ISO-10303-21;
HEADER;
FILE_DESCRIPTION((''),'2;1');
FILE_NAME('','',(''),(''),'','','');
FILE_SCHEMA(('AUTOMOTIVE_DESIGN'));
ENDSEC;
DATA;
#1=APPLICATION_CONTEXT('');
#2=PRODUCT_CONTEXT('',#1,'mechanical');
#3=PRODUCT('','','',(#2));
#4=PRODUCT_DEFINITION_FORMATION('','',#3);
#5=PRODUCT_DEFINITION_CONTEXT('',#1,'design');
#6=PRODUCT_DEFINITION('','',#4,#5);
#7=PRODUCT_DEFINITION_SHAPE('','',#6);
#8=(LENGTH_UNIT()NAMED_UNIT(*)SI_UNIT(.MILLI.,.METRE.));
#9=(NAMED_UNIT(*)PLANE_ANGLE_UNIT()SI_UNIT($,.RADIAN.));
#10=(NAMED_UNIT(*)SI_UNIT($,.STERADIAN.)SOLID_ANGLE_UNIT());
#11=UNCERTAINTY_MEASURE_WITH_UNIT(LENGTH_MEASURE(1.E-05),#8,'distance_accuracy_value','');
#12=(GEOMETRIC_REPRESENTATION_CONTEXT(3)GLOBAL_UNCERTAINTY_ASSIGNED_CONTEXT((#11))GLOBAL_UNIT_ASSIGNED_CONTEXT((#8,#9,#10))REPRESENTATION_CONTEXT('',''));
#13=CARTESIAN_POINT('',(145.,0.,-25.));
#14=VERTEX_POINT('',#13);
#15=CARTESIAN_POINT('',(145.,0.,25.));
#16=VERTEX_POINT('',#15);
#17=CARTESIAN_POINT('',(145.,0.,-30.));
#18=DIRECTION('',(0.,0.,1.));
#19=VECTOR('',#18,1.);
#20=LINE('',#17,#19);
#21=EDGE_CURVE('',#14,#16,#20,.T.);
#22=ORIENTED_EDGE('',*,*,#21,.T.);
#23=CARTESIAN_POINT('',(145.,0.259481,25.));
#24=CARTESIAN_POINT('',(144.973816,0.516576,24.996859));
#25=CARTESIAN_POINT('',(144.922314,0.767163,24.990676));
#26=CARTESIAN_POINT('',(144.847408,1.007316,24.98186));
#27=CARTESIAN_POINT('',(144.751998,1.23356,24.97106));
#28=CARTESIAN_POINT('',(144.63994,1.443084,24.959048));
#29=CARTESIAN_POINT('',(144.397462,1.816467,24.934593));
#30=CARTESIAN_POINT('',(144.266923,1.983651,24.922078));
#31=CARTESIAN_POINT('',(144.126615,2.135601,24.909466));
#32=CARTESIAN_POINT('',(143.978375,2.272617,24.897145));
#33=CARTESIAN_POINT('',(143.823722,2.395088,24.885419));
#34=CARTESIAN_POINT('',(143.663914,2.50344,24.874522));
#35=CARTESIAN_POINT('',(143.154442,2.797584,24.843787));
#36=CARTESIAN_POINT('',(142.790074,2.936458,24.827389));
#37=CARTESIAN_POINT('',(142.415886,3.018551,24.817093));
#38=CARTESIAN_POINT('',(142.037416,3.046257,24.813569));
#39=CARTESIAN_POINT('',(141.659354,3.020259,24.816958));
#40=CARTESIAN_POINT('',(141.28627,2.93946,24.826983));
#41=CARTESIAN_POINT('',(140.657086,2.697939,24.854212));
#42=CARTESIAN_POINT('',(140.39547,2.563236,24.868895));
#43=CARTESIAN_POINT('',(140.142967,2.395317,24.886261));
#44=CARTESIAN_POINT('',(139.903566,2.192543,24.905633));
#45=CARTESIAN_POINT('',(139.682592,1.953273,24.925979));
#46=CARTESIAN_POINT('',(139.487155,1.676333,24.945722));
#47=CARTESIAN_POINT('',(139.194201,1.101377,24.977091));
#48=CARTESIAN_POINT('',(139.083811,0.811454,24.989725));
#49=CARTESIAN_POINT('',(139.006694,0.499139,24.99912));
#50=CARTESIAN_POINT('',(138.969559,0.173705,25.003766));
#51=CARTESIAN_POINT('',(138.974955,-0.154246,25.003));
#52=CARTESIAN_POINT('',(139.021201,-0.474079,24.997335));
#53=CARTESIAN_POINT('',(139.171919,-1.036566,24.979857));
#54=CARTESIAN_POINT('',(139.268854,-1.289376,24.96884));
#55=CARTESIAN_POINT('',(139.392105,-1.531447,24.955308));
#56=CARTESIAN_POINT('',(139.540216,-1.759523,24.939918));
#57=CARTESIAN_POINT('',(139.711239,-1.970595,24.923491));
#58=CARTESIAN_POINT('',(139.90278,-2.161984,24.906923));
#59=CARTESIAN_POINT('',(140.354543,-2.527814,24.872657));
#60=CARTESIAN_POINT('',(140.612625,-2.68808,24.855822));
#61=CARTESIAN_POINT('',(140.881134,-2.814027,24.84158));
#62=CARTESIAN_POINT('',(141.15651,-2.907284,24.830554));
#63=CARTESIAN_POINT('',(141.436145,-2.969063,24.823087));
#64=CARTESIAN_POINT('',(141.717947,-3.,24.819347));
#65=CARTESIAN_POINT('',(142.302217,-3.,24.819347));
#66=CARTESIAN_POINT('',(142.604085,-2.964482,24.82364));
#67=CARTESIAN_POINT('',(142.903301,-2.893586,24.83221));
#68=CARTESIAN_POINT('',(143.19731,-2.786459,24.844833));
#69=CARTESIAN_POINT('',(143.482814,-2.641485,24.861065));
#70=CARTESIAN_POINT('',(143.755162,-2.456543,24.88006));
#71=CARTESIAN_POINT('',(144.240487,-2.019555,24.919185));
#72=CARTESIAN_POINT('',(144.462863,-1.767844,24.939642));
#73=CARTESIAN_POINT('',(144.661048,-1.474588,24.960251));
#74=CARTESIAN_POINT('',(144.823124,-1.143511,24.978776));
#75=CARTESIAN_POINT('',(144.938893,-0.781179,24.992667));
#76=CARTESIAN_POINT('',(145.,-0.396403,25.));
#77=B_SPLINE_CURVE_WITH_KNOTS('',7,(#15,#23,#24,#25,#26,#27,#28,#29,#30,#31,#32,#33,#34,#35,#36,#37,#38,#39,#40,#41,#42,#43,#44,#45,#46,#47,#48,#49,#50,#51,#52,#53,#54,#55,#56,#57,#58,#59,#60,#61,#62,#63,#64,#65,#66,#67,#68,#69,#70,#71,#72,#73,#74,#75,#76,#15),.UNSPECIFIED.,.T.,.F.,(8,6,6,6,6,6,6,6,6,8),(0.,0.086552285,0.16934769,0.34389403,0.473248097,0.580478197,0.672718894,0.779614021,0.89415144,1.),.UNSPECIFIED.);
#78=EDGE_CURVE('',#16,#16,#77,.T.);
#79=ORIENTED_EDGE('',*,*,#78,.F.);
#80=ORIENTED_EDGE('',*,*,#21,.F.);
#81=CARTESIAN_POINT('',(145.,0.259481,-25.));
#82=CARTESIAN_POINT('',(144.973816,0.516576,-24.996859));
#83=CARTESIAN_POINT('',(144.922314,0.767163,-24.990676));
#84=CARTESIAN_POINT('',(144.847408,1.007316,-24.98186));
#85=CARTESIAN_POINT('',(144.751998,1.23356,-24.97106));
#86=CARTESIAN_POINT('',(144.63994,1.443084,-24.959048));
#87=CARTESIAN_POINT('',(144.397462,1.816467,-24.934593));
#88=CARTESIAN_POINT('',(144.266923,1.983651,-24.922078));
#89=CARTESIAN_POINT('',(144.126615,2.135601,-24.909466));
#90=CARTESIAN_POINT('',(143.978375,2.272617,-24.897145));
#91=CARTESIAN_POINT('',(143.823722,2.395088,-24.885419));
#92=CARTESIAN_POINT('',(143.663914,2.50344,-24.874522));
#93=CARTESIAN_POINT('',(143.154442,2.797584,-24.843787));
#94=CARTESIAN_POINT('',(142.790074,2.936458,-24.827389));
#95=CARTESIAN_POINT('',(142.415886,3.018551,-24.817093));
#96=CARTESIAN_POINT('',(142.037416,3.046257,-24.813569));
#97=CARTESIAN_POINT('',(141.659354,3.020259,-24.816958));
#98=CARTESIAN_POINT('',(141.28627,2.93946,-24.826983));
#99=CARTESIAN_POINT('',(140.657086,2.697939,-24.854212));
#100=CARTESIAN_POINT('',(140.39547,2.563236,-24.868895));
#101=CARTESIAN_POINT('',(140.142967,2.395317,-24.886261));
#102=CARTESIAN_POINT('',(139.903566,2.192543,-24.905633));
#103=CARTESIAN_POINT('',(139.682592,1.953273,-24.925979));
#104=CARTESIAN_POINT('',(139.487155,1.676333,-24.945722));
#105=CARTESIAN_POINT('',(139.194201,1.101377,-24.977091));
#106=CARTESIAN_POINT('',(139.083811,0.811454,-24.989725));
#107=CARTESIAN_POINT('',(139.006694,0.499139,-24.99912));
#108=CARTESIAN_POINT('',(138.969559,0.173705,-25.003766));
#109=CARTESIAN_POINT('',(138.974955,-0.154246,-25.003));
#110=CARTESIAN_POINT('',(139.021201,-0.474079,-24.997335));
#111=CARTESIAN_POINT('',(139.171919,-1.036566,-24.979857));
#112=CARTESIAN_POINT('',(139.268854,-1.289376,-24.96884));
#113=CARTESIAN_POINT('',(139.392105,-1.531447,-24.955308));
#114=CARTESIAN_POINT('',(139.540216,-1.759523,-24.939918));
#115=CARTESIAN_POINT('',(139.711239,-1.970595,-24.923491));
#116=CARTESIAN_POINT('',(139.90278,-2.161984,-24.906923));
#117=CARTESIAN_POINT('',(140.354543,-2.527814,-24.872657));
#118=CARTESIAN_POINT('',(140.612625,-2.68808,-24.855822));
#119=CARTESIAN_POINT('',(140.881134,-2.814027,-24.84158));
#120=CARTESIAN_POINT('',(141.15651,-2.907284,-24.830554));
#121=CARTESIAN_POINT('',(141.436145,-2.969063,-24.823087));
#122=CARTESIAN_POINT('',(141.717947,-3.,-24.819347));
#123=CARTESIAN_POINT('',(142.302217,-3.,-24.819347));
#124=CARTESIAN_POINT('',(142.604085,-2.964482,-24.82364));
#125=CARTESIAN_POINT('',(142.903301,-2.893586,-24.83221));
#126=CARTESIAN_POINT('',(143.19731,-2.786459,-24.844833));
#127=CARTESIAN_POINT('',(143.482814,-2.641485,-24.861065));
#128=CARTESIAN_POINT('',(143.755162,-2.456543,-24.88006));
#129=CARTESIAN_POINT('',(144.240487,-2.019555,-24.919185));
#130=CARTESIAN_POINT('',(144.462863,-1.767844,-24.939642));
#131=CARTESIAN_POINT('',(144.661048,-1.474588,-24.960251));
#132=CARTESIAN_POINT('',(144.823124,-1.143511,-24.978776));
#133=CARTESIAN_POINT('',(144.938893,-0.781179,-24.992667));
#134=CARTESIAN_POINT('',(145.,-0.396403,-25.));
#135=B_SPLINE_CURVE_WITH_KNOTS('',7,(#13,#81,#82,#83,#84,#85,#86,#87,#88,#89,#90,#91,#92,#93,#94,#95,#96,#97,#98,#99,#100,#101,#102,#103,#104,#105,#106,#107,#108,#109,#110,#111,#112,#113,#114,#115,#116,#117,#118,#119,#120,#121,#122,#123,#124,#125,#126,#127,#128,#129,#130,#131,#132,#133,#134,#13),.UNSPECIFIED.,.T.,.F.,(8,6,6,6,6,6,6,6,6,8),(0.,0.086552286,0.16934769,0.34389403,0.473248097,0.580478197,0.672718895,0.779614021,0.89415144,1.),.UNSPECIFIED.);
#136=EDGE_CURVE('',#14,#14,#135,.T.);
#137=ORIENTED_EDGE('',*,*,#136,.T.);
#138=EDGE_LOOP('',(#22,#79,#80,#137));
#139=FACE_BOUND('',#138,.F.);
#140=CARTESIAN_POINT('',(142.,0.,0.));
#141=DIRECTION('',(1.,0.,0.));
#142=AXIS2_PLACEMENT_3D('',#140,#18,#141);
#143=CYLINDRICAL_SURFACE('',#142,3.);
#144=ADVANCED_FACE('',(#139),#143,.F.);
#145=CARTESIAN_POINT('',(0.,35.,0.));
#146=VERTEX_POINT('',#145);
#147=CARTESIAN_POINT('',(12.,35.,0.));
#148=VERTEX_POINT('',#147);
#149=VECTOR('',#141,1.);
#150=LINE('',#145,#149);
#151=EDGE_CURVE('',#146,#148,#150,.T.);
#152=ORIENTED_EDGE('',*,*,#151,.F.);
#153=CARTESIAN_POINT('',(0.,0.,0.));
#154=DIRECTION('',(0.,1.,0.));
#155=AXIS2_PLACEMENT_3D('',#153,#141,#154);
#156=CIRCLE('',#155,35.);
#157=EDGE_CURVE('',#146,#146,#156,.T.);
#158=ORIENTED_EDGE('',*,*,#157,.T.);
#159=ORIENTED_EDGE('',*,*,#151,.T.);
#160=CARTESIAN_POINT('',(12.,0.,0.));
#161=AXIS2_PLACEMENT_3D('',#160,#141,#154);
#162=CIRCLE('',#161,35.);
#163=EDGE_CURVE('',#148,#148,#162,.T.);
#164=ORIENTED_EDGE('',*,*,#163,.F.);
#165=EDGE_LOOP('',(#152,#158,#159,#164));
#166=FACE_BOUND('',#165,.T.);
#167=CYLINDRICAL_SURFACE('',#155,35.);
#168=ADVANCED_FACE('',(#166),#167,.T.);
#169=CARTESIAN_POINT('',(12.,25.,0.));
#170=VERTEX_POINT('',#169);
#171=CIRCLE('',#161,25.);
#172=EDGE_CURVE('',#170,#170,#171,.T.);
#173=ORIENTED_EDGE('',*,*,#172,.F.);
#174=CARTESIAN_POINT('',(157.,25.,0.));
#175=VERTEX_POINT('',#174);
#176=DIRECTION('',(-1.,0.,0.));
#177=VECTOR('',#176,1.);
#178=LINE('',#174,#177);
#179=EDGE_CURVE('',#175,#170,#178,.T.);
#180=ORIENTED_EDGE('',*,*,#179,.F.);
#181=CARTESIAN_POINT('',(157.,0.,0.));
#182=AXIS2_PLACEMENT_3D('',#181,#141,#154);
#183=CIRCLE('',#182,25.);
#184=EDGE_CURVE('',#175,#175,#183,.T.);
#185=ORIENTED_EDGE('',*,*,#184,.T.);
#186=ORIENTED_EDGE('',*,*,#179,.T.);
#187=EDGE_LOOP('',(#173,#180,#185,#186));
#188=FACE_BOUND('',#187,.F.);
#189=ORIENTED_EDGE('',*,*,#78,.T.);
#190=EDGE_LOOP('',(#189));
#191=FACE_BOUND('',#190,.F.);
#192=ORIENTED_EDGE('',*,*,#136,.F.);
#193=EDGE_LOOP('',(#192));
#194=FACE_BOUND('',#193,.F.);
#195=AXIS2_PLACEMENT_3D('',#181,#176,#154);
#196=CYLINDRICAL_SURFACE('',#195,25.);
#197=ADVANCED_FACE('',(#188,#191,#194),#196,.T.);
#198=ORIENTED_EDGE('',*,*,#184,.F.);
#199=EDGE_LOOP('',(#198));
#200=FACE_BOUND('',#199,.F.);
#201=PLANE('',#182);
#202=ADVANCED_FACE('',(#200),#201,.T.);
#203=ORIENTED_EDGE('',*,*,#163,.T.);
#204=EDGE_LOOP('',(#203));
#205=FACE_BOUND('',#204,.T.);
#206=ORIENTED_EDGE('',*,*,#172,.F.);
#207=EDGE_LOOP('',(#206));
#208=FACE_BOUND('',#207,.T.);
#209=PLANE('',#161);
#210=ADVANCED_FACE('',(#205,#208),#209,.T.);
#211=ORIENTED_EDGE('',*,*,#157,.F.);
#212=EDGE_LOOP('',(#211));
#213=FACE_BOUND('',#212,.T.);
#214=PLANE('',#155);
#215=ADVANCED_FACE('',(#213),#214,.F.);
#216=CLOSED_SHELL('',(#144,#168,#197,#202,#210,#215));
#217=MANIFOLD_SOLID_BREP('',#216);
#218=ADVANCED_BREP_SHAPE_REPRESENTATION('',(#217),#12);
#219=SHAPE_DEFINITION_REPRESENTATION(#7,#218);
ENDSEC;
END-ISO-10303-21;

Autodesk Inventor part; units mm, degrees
ref_plane "YZ Plane" through (0, 0, 0) normal (1, 0, 0) x (0, 1, 0)
ref_plane "XZ Plane" through (0, 0, 0) normal (0, 1, 0) x (-1, 0, 0)
ref_plane "XY Plane" through (0, 0, 0) normal (0, 0, 1) x (1, 0, 0)
sketch "Boceto1" plane through (0, 0, 0) normal (0, 0, 1) x (1, 0, 0)
  line L0 (0, 0) -> (157, 0)
  line L1 (157, 0) -> (157, 25)
  line L2 (157, 25) -> (12, 25)
  line L3 (0, 0) -> (0, 35)
  line L4 (0, 35) -> (12, 35)
  line L5 (12, 35) -> (12, 25)
  dimension "d1" = 25
  dimension "d2" = 35
  dimension "d3" = 12
  dimension "d4" = 157
revolve "Revolución1" add sketch "Boceto1" angle 360 about axis through (0, 0, 0) along (1, 0, 0)
sketch "Boceto2" plane through (0, 0, 0) normal (0, 0, 1) x (1, 0, 0)
  circle A0 centre (142, 0) radius 3
  line L0 (12, -35) -> (12, 35) projected
  point P0 (0, 0)
  dimension "d6" = 6
  dimension "d7" = 130
extrude "Extrusión1" cut sketch "Boceto2" against normal blind 30 and the other way blind 30
properties part number "Perno" material "Plástico PC/ABS"
